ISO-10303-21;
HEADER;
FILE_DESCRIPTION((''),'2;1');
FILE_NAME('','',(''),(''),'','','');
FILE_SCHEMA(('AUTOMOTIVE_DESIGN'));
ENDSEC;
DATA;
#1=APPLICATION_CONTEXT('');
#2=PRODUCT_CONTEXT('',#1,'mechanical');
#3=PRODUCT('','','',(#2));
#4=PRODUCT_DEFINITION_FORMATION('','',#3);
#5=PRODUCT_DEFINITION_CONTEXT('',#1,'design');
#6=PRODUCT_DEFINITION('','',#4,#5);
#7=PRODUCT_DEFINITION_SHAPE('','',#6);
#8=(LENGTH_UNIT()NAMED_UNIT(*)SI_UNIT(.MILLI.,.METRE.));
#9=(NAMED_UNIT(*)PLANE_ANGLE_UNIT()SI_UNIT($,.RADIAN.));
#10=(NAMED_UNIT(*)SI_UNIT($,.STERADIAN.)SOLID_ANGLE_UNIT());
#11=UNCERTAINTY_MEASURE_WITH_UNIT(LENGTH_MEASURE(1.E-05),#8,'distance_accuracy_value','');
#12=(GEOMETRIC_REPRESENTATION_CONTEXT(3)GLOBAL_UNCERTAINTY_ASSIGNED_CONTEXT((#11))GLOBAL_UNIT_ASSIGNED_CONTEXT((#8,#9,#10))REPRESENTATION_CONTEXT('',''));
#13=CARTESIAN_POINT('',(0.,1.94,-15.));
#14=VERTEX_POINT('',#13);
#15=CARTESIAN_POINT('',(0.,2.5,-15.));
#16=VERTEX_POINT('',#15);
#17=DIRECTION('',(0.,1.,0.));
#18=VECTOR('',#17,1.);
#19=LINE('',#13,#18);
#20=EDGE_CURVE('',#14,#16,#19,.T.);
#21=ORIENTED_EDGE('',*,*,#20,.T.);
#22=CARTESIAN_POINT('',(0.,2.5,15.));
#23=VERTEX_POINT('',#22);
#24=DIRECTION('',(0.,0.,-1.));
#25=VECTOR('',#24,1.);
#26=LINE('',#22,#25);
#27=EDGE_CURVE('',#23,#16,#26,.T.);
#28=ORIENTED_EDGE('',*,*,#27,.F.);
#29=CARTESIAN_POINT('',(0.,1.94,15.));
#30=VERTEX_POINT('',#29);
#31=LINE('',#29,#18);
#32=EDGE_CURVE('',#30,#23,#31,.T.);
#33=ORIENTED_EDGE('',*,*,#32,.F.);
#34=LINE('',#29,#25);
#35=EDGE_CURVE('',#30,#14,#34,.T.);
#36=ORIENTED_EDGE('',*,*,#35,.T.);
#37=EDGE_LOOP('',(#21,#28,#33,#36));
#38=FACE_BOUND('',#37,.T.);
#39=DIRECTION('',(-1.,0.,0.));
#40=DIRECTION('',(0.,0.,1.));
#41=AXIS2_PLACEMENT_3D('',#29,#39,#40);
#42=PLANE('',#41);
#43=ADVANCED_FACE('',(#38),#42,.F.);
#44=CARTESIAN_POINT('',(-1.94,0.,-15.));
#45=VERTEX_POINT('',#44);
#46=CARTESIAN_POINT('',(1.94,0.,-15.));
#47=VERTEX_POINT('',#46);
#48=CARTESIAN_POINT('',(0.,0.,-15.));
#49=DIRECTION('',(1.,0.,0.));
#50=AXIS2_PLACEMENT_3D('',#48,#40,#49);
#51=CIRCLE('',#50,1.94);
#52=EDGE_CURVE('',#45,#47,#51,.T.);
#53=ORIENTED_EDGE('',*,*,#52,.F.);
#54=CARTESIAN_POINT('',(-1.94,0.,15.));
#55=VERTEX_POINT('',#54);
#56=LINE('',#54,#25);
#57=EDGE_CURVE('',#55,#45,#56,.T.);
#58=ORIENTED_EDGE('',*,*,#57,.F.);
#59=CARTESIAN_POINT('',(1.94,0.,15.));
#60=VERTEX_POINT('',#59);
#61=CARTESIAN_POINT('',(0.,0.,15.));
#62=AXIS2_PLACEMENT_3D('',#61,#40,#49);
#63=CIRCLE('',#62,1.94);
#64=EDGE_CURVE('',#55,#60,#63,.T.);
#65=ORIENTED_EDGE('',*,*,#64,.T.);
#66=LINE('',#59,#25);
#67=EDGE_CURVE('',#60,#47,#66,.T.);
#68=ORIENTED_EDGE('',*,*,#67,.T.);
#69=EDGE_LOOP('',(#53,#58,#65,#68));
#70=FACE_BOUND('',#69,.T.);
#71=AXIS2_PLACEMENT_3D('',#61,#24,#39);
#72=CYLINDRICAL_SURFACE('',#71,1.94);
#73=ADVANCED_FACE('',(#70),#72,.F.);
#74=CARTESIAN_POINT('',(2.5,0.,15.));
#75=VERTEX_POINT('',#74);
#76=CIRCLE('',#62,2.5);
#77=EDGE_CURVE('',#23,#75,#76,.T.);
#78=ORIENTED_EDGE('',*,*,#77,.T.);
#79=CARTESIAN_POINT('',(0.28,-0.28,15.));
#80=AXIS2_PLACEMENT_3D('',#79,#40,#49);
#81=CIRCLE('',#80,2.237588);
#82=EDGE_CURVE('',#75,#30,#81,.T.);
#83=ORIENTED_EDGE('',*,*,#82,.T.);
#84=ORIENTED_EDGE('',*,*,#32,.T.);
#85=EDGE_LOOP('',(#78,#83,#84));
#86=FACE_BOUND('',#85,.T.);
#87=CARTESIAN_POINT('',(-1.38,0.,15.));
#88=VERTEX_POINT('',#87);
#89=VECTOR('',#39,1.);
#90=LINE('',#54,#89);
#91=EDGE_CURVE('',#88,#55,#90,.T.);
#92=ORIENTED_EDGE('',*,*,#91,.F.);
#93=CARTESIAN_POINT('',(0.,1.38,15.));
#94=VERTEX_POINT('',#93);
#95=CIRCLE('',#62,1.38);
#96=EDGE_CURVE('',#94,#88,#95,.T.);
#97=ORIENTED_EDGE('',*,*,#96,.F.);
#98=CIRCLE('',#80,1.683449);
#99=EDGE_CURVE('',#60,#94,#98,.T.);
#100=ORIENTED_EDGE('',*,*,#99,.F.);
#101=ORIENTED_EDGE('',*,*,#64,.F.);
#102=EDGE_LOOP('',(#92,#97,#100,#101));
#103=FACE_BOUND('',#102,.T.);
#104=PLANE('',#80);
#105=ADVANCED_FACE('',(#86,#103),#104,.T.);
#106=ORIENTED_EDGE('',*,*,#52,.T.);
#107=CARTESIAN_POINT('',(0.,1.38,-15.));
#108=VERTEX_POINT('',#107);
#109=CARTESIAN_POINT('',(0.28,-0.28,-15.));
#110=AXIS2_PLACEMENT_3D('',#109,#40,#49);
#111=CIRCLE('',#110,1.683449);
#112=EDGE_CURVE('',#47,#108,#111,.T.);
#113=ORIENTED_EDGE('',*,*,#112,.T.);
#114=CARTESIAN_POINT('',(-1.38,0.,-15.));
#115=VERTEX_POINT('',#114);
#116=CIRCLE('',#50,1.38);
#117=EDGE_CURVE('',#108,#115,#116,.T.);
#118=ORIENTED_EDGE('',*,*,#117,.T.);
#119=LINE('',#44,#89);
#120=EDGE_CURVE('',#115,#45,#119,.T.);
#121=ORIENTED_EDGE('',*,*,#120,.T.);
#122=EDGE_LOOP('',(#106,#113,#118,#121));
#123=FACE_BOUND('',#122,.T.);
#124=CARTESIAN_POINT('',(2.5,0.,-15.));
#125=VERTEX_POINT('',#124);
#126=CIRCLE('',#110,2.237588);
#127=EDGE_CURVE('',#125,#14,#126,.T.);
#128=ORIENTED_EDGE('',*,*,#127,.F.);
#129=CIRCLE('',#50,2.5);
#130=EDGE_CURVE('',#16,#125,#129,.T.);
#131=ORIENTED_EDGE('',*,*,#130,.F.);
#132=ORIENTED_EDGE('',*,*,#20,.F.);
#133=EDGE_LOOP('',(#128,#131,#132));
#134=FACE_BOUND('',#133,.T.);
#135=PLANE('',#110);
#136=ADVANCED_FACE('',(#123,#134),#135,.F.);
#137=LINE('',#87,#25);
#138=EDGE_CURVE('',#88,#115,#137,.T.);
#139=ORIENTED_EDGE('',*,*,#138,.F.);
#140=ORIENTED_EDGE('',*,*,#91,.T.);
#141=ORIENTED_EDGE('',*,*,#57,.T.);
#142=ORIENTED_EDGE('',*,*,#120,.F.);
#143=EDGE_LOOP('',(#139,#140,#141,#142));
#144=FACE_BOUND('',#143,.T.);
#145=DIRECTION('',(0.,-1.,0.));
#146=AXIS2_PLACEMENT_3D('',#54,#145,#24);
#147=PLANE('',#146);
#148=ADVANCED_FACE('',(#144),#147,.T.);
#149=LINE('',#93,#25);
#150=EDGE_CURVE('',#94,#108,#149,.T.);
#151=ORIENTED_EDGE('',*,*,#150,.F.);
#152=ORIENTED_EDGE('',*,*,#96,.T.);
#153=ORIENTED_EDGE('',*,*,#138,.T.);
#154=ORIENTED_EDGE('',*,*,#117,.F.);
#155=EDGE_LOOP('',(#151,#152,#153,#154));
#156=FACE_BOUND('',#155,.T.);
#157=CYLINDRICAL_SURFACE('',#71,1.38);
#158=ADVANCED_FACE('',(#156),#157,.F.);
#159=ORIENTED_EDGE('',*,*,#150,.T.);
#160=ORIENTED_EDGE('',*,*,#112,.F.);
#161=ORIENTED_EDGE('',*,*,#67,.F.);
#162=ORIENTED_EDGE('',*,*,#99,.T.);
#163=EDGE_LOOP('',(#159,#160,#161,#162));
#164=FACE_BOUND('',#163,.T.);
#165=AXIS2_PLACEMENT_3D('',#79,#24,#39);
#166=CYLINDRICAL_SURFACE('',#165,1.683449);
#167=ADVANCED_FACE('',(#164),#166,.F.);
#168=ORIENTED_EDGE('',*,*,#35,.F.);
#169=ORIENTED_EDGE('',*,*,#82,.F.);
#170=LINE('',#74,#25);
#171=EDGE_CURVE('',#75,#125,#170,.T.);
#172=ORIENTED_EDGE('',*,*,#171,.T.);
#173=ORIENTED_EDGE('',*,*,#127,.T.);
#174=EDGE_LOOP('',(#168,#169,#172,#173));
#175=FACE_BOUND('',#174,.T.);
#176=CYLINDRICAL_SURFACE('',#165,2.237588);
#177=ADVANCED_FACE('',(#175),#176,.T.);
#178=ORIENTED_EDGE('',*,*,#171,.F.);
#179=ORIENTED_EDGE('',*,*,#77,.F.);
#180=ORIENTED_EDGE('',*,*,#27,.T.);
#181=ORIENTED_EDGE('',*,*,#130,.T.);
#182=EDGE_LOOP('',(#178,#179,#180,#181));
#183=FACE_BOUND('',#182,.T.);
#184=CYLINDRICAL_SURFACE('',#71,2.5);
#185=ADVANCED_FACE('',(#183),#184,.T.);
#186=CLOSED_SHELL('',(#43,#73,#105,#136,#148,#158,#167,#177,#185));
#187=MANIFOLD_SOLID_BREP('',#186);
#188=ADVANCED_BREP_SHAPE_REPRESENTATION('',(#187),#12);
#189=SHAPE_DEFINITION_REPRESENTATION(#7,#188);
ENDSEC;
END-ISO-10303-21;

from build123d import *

# Parameters (mm, degrees)
BASE_EXTRUDE_DEPTH = 15


with BuildPart() as part:
    # Sketch1 → Base-Extrude (new, symmetric)
    with BuildSketch(Plane.XY):
        with BuildLine():
            Line((0, 1.94), (0, 2.5))
            ThreePointArc((0, 2.5), (-1.767766953, -1.767766953), (2.5, 0))
            ThreePointArc((2.5, 0), (1.651787156, 1.487766953), (0, 1.94))
        make_face()
        with BuildLine():
            Line((-1.94, 0), (-1.38, 0))
            ThreePointArc((-1.38, 0), (-0.975807358, 0.975807358), (0, 1.38))
            ThreePointArc((0, 1.38), (1.255807358, 1.091787156), (1.94, 0))
            ThreePointArc((1.94, 0), (0, -1.94), (-1.94, 0))
        make_face(mode=Mode.SUBTRACT)
    extrude(amount=BASE_EXTRUDE_DEPTH, both=True)


solid = part.part
